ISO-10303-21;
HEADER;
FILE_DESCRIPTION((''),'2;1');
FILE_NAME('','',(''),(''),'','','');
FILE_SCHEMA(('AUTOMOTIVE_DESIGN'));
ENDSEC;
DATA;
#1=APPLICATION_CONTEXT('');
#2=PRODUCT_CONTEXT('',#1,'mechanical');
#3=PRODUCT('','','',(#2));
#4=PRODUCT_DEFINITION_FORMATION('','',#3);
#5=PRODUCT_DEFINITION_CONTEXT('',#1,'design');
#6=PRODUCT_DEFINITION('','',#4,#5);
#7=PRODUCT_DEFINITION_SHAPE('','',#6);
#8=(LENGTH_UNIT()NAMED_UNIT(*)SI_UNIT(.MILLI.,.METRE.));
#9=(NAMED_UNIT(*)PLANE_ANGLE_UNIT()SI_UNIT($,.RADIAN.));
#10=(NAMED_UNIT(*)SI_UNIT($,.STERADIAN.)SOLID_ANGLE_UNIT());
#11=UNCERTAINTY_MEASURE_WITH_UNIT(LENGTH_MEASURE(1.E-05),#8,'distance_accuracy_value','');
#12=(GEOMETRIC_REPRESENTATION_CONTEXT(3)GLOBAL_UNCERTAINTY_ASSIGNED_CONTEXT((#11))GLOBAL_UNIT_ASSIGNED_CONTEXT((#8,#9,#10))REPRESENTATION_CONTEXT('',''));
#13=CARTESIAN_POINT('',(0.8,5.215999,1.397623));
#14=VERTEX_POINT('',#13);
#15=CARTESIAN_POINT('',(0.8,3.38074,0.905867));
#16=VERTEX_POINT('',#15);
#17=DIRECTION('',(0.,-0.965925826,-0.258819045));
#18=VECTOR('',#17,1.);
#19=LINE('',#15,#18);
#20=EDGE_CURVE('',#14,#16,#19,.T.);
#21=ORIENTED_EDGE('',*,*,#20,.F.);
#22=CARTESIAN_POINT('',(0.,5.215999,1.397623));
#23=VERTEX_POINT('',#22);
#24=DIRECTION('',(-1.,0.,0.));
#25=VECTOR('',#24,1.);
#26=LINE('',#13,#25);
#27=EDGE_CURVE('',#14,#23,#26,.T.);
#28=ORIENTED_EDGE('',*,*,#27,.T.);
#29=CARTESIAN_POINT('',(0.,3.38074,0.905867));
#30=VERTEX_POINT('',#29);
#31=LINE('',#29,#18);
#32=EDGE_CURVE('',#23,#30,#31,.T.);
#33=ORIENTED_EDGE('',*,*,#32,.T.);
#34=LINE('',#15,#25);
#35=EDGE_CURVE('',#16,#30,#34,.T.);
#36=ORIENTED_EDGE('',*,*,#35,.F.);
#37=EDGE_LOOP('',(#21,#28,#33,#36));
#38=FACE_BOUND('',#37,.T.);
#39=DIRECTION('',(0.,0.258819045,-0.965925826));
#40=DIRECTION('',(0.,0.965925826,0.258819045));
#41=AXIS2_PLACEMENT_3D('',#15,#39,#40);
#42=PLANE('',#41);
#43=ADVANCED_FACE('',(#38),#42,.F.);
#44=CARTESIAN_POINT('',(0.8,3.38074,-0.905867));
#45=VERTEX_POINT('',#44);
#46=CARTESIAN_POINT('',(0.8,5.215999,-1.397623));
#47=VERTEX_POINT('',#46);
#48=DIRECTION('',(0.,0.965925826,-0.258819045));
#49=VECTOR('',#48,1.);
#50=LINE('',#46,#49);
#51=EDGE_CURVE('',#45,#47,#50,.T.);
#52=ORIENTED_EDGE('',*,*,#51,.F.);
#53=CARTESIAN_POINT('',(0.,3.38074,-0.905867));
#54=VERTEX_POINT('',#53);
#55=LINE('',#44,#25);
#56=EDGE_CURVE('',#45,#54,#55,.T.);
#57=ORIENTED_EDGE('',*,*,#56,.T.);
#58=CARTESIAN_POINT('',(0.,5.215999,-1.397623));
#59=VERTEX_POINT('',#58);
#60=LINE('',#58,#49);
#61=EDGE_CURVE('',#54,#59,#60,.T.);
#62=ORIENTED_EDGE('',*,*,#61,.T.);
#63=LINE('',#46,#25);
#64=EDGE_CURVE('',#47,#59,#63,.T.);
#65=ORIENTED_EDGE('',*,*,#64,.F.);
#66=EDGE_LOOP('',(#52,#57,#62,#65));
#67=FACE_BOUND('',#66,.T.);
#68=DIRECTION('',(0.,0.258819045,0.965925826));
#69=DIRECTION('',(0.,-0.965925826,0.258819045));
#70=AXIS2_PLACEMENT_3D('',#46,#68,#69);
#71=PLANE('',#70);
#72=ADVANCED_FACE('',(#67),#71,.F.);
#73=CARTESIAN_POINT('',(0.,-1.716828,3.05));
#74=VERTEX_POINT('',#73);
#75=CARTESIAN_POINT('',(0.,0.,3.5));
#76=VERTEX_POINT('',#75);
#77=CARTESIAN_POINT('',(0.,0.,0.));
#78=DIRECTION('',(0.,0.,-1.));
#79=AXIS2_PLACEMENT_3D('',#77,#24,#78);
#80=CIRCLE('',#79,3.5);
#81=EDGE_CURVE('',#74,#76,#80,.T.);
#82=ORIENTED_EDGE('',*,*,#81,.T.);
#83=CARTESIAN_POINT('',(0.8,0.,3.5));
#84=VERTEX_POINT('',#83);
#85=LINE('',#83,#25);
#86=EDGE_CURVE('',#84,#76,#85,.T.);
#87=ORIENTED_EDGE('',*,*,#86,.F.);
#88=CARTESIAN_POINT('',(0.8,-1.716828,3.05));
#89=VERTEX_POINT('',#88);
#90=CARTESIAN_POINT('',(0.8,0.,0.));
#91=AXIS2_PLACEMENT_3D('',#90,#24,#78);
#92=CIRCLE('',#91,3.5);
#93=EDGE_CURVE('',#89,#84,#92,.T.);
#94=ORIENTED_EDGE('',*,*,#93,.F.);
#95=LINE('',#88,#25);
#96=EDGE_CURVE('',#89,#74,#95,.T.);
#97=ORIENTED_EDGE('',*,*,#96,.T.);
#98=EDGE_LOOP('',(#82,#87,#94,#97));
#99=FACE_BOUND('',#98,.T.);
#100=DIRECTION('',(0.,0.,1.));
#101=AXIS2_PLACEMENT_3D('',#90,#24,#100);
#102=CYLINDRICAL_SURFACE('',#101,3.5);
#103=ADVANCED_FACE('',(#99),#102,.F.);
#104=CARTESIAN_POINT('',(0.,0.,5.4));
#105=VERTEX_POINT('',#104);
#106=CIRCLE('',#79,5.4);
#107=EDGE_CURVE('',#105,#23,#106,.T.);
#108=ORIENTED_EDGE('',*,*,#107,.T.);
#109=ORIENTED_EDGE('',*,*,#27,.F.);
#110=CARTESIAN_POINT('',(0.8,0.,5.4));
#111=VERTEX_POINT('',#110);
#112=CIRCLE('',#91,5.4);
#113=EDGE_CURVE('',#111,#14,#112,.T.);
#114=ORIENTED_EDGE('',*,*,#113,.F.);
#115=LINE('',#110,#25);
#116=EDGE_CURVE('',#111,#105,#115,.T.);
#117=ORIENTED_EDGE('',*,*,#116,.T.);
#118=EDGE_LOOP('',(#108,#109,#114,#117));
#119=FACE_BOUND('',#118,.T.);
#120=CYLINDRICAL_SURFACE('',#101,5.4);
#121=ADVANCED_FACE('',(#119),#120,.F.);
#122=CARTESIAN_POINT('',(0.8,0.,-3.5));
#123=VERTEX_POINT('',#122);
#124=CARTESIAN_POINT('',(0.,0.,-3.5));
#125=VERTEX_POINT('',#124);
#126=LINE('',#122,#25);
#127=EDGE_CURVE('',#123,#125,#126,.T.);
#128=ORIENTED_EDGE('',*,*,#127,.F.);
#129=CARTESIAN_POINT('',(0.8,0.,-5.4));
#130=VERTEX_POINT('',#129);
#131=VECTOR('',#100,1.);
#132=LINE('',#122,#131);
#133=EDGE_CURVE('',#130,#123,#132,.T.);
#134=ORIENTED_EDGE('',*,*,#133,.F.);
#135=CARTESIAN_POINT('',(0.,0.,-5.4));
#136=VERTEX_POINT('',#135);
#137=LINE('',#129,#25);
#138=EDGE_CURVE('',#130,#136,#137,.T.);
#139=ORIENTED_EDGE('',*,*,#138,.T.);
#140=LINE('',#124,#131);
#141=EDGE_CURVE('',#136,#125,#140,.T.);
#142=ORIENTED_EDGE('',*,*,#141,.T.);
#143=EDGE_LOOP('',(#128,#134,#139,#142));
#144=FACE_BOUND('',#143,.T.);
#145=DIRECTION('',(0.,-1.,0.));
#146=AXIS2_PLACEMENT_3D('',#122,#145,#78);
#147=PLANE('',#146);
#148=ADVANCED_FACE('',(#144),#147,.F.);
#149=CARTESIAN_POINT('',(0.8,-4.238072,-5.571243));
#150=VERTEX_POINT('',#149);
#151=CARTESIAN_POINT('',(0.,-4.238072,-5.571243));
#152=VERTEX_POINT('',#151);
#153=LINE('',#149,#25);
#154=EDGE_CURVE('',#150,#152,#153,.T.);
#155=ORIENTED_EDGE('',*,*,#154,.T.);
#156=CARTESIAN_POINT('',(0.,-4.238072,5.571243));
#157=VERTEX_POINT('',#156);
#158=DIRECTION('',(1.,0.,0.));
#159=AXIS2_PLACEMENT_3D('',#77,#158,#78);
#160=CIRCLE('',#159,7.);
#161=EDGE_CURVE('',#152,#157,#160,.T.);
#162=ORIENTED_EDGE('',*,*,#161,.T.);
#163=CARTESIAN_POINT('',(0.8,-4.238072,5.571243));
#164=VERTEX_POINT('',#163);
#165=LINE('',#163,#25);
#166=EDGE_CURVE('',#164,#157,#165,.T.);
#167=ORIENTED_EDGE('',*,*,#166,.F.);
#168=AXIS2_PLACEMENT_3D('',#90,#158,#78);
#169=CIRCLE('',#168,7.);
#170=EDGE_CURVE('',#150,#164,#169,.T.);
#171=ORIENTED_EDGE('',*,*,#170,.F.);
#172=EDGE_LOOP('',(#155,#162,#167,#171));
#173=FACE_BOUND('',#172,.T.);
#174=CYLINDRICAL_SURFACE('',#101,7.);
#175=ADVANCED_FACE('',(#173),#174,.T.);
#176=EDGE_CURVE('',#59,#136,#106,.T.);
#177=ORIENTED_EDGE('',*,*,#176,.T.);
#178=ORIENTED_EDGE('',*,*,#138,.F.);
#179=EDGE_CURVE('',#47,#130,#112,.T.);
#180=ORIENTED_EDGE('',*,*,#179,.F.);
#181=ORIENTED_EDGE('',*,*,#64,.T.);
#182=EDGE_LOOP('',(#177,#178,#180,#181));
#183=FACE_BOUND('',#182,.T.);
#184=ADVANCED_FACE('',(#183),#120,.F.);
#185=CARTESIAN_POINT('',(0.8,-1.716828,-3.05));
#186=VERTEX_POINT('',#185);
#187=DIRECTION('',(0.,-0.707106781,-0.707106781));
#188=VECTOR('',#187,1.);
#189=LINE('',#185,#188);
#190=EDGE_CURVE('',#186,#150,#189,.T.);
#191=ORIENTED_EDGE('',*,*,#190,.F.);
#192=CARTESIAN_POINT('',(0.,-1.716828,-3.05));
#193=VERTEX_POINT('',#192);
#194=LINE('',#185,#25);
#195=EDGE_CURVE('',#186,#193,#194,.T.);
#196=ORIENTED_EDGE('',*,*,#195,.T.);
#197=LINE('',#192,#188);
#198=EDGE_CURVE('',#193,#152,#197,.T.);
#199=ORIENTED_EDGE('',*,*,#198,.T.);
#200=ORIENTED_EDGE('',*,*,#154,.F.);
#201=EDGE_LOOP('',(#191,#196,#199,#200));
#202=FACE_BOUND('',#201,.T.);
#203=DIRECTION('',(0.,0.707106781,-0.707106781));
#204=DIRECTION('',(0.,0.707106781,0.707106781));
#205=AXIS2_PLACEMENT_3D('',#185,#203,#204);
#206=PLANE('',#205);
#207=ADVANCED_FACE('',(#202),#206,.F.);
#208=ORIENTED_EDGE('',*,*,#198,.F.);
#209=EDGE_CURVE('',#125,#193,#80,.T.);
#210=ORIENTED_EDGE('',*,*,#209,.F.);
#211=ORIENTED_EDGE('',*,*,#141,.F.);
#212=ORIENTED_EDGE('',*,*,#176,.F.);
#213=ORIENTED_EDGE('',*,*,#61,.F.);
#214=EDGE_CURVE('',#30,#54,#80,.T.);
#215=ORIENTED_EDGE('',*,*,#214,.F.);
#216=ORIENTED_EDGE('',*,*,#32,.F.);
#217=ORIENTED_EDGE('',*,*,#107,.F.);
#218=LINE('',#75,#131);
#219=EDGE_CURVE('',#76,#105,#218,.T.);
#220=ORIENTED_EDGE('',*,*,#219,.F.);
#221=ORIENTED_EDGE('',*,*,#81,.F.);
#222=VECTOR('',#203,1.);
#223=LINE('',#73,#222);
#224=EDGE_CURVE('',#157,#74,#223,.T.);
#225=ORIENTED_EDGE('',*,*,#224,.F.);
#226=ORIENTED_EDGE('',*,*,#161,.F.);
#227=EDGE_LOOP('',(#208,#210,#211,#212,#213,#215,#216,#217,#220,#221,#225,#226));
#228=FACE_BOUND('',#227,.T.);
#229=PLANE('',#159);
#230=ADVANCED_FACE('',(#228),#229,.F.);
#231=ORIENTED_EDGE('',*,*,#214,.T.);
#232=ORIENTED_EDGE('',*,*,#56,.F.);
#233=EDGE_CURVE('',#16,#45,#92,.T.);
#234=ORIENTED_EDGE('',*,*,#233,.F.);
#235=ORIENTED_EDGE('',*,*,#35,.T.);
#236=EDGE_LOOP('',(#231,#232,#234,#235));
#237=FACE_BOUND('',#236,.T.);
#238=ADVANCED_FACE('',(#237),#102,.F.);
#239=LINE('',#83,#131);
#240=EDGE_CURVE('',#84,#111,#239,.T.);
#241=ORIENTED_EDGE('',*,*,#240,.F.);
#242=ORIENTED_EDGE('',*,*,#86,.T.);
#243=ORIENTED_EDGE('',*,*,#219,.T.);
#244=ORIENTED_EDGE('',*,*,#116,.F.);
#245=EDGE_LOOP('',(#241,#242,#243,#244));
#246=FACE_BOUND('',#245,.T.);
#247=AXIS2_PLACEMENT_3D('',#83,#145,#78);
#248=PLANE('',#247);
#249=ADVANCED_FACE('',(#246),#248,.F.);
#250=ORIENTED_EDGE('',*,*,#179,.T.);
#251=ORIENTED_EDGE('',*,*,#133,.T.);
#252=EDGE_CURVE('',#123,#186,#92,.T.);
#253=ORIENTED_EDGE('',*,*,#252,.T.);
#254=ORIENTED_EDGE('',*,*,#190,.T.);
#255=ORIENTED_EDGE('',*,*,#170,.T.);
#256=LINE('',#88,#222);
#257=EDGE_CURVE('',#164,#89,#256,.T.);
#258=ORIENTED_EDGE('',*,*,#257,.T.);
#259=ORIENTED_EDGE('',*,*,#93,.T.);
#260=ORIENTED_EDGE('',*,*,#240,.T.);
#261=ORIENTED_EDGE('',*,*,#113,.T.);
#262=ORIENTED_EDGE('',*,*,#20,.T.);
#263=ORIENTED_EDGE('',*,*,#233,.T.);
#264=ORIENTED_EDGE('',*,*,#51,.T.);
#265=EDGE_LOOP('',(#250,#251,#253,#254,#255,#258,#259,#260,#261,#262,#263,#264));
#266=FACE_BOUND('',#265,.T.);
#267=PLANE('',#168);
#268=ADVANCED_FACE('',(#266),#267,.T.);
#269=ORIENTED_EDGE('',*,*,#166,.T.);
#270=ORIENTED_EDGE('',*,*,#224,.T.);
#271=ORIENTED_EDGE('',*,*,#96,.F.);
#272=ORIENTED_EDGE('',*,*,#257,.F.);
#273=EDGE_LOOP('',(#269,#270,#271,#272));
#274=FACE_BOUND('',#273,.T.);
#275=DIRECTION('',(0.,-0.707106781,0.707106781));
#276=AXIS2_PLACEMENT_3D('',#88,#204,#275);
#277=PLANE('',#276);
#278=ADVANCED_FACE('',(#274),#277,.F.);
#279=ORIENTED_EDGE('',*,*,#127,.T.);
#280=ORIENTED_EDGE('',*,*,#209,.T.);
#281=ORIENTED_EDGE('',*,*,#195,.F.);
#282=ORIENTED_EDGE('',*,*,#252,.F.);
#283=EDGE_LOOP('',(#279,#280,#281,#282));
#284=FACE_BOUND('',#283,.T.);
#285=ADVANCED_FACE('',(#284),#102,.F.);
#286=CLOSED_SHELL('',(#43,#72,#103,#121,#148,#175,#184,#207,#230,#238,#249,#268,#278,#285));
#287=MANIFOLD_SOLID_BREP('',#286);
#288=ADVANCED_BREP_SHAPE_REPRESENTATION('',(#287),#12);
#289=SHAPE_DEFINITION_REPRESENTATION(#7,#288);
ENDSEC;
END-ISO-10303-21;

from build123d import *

# Parameters (mm, degrees)
BOSS_EXTRUDE1_DEPTH = 0.8


with BuildPart() as part:
    # Sketch1 → Boss-Extrude1 (new body)
    with BuildSketch(Plane(origin=(0, 0, 0), x_dir=(0, 0, -1), z_dir=(1, 0, 0))):
        with BuildLine():
            Line((-3.5, 0), (-5.4, 0))
            ThreePointArc((-5.4, 0), (-4.284108038, 3.287311717), (-1.397622844, 5.215999462))
            Line((-1.397622844, 5.215999462), (-0.905866658, 3.380740392))
            ThreePointArc((-0.905866658, 3.380740392), (0, 3.5), (0.905866658, 3.380740392))
            Line((0.905866658, 3.380740392), (1.397622844, 5.215999462))
            ThreePointArc((1.397622844, 5.215999462), (4.284108038, 3.287311717), (5.4, 0))
            Line((5.4, 0), (3.5, 0))
            ThreePointArc((3.5, 0), (3.385631403, -0.887411967), (3.05, -1.716828471))
            Line((3.05, -1.716828471), (5.571243084, -4.238071555))
            ThreePointArc((5.571243084, -4.238071555), (0, 7), (-5.571243084, -4.238071555))
            Line((-5.571243084, -4.238071555), (-3.05, -1.716828471))
            ThreePointArc((-3.05, -1.716828471), (-3.385631403, -0.887411967), (-3.5, 0))
        make_face()
    extrude(amount=BOSS_EXTRUDE1_DEPTH)


solid = part.part
